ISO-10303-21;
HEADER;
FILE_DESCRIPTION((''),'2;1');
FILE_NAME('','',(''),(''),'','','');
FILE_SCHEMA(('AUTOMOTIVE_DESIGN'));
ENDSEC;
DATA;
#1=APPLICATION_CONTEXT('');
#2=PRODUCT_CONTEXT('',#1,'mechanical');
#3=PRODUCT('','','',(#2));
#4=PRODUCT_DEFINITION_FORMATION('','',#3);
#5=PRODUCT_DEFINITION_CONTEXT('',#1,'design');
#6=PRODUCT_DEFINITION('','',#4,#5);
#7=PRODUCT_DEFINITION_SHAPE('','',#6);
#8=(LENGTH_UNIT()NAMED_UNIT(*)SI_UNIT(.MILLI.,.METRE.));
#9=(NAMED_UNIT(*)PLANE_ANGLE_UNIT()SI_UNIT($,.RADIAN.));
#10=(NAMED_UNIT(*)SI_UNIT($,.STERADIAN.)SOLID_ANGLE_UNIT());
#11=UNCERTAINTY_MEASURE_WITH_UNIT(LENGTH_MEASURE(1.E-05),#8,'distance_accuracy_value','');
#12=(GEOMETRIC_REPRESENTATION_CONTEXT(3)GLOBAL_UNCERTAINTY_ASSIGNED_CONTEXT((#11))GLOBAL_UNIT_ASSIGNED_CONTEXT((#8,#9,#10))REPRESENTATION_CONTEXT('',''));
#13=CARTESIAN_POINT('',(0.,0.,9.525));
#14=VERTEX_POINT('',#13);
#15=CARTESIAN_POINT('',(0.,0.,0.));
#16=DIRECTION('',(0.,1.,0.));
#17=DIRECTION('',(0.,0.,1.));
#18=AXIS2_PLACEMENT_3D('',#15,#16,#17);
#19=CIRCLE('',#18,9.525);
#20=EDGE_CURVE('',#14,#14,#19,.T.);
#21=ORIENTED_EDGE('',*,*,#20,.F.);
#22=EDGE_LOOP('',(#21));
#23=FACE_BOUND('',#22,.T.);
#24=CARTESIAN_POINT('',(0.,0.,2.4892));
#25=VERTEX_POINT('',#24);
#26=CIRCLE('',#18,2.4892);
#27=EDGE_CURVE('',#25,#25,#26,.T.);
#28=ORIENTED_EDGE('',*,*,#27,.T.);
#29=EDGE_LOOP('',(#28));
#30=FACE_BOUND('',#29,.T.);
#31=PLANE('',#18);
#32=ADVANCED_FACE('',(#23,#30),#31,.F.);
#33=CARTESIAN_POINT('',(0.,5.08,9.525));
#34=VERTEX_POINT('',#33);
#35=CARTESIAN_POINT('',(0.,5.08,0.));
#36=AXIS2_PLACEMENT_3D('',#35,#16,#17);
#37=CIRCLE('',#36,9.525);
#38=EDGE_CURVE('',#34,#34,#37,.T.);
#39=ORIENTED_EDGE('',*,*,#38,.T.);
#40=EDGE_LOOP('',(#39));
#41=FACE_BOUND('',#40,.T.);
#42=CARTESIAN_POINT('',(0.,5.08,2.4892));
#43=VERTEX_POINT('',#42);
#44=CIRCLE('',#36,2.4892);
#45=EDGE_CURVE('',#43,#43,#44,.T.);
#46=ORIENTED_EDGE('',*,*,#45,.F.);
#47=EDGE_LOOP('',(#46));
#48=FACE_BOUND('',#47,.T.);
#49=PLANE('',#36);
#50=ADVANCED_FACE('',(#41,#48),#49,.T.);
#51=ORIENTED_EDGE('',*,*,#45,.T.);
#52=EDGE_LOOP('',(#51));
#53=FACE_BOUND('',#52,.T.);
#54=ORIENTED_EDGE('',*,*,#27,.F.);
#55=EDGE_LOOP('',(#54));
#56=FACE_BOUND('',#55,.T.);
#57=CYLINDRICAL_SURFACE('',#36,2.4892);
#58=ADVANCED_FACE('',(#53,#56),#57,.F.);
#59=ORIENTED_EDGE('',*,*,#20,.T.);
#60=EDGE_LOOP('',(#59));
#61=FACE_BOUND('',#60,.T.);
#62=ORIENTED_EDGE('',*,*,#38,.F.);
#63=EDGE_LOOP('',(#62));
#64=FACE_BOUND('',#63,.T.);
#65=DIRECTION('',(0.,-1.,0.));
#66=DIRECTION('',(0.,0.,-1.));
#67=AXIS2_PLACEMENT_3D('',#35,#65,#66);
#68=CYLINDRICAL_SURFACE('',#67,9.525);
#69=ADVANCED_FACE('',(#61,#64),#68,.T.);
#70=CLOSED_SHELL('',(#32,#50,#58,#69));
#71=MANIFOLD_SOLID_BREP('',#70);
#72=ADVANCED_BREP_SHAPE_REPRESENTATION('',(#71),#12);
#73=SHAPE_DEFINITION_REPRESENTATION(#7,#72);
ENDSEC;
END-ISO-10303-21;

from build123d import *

# Parameters (mm, degrees)
SKETCH1_R              = 9.525
BOSS_EXTRUDE1_DEPTH    = 5.08
F_10_CLEARANCE_HOLE1_D = 4.9784


with BuildPart() as part:
    # Sketch1 → Boss-Extrude1 (new body)
    with BuildSketch(Plane(origin=(0, 0, 0), x_dir=(1, 0, 0), z_dir=(0, 1, 0))):
        with Locations(Location((0, 0, 0), (0, 0, 270))):
            Circle(SKETCH1_R)
    extrude(amount=BOSS_EXTRUDE1_DEPTH)

    # #10 Clearance Hole1 (through all)
    with Locations(Plane(origin=(0, 5.08, 0), x_dir=(1, 0, 0), z_dir=(0, 1, 0))):
        with Locations((0, 0)):
            Hole(F_10_CLEARANCE_HOLE1_D / 2)


solid = part.part
